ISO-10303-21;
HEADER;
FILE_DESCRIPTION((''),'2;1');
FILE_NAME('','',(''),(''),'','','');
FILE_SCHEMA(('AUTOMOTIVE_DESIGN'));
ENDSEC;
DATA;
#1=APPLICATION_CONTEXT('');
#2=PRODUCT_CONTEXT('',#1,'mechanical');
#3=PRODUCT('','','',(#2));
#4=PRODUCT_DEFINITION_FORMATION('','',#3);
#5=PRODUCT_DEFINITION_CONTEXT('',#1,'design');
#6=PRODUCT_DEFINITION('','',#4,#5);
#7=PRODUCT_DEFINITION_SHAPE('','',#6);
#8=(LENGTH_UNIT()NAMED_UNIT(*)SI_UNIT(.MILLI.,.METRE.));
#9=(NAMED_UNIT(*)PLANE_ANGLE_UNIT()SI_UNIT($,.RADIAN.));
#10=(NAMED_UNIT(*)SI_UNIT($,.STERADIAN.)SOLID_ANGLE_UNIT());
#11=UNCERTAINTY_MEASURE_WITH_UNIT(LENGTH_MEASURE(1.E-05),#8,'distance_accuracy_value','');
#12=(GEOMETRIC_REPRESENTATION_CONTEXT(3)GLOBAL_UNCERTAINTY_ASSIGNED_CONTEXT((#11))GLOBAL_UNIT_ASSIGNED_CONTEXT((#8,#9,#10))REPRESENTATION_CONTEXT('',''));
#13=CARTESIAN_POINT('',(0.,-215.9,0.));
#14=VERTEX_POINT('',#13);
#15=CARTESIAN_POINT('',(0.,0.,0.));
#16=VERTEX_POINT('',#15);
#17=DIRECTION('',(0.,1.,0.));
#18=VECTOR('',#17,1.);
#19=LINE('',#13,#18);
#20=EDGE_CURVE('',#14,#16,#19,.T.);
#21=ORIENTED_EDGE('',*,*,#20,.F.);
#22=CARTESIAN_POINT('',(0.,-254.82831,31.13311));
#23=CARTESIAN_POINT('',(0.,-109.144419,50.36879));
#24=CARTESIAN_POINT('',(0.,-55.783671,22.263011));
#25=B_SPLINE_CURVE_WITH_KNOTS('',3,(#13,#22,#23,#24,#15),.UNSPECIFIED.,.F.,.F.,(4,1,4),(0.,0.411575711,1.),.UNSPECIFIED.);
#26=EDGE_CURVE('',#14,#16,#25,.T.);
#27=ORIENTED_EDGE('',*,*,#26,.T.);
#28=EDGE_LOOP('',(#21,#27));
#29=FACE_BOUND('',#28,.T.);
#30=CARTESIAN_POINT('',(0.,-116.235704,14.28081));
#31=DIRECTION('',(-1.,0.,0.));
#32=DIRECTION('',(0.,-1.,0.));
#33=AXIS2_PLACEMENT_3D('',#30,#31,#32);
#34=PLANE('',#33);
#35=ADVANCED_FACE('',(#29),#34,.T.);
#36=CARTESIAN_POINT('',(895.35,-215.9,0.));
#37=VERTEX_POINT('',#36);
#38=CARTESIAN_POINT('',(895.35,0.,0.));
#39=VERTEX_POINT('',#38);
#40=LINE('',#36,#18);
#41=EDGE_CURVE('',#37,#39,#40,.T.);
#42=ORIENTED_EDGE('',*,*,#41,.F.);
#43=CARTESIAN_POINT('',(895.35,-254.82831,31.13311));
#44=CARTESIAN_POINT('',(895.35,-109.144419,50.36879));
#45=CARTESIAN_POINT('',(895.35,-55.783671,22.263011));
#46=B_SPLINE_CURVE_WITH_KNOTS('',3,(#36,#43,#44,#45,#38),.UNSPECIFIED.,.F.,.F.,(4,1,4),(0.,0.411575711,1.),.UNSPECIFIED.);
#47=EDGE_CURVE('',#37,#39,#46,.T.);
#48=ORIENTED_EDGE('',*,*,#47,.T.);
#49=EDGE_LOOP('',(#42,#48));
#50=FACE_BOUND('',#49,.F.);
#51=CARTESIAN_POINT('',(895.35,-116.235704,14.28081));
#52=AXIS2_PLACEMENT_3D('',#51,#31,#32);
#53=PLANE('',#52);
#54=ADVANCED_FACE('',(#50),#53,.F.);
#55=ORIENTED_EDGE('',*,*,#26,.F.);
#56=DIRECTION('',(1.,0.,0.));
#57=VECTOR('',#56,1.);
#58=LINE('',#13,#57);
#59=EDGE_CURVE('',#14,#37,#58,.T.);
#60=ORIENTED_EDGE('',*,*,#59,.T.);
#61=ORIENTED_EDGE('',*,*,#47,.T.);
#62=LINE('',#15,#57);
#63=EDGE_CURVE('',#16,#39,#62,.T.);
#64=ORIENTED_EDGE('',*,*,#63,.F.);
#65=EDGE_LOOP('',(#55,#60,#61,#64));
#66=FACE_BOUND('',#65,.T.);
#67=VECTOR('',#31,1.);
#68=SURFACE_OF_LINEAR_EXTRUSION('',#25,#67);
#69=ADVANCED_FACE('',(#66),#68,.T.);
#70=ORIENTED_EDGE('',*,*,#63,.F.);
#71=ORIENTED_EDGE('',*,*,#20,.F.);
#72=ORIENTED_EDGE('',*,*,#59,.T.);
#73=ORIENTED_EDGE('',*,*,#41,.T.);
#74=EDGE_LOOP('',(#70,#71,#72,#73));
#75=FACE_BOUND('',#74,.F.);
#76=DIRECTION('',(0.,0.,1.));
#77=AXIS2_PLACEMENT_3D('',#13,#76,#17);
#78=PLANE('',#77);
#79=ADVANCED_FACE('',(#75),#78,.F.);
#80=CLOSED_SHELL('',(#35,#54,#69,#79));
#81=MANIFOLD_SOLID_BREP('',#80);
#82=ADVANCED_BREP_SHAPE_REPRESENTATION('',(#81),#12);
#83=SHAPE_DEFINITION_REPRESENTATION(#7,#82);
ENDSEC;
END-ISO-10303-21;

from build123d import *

# Parameters (mm, degrees)
F1_DEPTH = 895.35


with BuildPart() as f1:
    # F0 (on Right) → F1 (new body)
    with BuildSketch(Plane.YZ):
        with BuildLine():
            add(Edge.make_bspline(
                [(-215.9, 0), (-254.8283100128, 31.1331100762), (-109.1444188426, 50.3687896295), (-55.7836709922, 22.2630112389), (0, 0)],
                knots=[0, 0, 0, 0, 0.4115757107, 1, 1, 1, 1], degree=3))
            Line((-215.9, 0), (0, 0))
        make_face()
    extrude(amount=F1_DEPTH)


solid = f1.part
